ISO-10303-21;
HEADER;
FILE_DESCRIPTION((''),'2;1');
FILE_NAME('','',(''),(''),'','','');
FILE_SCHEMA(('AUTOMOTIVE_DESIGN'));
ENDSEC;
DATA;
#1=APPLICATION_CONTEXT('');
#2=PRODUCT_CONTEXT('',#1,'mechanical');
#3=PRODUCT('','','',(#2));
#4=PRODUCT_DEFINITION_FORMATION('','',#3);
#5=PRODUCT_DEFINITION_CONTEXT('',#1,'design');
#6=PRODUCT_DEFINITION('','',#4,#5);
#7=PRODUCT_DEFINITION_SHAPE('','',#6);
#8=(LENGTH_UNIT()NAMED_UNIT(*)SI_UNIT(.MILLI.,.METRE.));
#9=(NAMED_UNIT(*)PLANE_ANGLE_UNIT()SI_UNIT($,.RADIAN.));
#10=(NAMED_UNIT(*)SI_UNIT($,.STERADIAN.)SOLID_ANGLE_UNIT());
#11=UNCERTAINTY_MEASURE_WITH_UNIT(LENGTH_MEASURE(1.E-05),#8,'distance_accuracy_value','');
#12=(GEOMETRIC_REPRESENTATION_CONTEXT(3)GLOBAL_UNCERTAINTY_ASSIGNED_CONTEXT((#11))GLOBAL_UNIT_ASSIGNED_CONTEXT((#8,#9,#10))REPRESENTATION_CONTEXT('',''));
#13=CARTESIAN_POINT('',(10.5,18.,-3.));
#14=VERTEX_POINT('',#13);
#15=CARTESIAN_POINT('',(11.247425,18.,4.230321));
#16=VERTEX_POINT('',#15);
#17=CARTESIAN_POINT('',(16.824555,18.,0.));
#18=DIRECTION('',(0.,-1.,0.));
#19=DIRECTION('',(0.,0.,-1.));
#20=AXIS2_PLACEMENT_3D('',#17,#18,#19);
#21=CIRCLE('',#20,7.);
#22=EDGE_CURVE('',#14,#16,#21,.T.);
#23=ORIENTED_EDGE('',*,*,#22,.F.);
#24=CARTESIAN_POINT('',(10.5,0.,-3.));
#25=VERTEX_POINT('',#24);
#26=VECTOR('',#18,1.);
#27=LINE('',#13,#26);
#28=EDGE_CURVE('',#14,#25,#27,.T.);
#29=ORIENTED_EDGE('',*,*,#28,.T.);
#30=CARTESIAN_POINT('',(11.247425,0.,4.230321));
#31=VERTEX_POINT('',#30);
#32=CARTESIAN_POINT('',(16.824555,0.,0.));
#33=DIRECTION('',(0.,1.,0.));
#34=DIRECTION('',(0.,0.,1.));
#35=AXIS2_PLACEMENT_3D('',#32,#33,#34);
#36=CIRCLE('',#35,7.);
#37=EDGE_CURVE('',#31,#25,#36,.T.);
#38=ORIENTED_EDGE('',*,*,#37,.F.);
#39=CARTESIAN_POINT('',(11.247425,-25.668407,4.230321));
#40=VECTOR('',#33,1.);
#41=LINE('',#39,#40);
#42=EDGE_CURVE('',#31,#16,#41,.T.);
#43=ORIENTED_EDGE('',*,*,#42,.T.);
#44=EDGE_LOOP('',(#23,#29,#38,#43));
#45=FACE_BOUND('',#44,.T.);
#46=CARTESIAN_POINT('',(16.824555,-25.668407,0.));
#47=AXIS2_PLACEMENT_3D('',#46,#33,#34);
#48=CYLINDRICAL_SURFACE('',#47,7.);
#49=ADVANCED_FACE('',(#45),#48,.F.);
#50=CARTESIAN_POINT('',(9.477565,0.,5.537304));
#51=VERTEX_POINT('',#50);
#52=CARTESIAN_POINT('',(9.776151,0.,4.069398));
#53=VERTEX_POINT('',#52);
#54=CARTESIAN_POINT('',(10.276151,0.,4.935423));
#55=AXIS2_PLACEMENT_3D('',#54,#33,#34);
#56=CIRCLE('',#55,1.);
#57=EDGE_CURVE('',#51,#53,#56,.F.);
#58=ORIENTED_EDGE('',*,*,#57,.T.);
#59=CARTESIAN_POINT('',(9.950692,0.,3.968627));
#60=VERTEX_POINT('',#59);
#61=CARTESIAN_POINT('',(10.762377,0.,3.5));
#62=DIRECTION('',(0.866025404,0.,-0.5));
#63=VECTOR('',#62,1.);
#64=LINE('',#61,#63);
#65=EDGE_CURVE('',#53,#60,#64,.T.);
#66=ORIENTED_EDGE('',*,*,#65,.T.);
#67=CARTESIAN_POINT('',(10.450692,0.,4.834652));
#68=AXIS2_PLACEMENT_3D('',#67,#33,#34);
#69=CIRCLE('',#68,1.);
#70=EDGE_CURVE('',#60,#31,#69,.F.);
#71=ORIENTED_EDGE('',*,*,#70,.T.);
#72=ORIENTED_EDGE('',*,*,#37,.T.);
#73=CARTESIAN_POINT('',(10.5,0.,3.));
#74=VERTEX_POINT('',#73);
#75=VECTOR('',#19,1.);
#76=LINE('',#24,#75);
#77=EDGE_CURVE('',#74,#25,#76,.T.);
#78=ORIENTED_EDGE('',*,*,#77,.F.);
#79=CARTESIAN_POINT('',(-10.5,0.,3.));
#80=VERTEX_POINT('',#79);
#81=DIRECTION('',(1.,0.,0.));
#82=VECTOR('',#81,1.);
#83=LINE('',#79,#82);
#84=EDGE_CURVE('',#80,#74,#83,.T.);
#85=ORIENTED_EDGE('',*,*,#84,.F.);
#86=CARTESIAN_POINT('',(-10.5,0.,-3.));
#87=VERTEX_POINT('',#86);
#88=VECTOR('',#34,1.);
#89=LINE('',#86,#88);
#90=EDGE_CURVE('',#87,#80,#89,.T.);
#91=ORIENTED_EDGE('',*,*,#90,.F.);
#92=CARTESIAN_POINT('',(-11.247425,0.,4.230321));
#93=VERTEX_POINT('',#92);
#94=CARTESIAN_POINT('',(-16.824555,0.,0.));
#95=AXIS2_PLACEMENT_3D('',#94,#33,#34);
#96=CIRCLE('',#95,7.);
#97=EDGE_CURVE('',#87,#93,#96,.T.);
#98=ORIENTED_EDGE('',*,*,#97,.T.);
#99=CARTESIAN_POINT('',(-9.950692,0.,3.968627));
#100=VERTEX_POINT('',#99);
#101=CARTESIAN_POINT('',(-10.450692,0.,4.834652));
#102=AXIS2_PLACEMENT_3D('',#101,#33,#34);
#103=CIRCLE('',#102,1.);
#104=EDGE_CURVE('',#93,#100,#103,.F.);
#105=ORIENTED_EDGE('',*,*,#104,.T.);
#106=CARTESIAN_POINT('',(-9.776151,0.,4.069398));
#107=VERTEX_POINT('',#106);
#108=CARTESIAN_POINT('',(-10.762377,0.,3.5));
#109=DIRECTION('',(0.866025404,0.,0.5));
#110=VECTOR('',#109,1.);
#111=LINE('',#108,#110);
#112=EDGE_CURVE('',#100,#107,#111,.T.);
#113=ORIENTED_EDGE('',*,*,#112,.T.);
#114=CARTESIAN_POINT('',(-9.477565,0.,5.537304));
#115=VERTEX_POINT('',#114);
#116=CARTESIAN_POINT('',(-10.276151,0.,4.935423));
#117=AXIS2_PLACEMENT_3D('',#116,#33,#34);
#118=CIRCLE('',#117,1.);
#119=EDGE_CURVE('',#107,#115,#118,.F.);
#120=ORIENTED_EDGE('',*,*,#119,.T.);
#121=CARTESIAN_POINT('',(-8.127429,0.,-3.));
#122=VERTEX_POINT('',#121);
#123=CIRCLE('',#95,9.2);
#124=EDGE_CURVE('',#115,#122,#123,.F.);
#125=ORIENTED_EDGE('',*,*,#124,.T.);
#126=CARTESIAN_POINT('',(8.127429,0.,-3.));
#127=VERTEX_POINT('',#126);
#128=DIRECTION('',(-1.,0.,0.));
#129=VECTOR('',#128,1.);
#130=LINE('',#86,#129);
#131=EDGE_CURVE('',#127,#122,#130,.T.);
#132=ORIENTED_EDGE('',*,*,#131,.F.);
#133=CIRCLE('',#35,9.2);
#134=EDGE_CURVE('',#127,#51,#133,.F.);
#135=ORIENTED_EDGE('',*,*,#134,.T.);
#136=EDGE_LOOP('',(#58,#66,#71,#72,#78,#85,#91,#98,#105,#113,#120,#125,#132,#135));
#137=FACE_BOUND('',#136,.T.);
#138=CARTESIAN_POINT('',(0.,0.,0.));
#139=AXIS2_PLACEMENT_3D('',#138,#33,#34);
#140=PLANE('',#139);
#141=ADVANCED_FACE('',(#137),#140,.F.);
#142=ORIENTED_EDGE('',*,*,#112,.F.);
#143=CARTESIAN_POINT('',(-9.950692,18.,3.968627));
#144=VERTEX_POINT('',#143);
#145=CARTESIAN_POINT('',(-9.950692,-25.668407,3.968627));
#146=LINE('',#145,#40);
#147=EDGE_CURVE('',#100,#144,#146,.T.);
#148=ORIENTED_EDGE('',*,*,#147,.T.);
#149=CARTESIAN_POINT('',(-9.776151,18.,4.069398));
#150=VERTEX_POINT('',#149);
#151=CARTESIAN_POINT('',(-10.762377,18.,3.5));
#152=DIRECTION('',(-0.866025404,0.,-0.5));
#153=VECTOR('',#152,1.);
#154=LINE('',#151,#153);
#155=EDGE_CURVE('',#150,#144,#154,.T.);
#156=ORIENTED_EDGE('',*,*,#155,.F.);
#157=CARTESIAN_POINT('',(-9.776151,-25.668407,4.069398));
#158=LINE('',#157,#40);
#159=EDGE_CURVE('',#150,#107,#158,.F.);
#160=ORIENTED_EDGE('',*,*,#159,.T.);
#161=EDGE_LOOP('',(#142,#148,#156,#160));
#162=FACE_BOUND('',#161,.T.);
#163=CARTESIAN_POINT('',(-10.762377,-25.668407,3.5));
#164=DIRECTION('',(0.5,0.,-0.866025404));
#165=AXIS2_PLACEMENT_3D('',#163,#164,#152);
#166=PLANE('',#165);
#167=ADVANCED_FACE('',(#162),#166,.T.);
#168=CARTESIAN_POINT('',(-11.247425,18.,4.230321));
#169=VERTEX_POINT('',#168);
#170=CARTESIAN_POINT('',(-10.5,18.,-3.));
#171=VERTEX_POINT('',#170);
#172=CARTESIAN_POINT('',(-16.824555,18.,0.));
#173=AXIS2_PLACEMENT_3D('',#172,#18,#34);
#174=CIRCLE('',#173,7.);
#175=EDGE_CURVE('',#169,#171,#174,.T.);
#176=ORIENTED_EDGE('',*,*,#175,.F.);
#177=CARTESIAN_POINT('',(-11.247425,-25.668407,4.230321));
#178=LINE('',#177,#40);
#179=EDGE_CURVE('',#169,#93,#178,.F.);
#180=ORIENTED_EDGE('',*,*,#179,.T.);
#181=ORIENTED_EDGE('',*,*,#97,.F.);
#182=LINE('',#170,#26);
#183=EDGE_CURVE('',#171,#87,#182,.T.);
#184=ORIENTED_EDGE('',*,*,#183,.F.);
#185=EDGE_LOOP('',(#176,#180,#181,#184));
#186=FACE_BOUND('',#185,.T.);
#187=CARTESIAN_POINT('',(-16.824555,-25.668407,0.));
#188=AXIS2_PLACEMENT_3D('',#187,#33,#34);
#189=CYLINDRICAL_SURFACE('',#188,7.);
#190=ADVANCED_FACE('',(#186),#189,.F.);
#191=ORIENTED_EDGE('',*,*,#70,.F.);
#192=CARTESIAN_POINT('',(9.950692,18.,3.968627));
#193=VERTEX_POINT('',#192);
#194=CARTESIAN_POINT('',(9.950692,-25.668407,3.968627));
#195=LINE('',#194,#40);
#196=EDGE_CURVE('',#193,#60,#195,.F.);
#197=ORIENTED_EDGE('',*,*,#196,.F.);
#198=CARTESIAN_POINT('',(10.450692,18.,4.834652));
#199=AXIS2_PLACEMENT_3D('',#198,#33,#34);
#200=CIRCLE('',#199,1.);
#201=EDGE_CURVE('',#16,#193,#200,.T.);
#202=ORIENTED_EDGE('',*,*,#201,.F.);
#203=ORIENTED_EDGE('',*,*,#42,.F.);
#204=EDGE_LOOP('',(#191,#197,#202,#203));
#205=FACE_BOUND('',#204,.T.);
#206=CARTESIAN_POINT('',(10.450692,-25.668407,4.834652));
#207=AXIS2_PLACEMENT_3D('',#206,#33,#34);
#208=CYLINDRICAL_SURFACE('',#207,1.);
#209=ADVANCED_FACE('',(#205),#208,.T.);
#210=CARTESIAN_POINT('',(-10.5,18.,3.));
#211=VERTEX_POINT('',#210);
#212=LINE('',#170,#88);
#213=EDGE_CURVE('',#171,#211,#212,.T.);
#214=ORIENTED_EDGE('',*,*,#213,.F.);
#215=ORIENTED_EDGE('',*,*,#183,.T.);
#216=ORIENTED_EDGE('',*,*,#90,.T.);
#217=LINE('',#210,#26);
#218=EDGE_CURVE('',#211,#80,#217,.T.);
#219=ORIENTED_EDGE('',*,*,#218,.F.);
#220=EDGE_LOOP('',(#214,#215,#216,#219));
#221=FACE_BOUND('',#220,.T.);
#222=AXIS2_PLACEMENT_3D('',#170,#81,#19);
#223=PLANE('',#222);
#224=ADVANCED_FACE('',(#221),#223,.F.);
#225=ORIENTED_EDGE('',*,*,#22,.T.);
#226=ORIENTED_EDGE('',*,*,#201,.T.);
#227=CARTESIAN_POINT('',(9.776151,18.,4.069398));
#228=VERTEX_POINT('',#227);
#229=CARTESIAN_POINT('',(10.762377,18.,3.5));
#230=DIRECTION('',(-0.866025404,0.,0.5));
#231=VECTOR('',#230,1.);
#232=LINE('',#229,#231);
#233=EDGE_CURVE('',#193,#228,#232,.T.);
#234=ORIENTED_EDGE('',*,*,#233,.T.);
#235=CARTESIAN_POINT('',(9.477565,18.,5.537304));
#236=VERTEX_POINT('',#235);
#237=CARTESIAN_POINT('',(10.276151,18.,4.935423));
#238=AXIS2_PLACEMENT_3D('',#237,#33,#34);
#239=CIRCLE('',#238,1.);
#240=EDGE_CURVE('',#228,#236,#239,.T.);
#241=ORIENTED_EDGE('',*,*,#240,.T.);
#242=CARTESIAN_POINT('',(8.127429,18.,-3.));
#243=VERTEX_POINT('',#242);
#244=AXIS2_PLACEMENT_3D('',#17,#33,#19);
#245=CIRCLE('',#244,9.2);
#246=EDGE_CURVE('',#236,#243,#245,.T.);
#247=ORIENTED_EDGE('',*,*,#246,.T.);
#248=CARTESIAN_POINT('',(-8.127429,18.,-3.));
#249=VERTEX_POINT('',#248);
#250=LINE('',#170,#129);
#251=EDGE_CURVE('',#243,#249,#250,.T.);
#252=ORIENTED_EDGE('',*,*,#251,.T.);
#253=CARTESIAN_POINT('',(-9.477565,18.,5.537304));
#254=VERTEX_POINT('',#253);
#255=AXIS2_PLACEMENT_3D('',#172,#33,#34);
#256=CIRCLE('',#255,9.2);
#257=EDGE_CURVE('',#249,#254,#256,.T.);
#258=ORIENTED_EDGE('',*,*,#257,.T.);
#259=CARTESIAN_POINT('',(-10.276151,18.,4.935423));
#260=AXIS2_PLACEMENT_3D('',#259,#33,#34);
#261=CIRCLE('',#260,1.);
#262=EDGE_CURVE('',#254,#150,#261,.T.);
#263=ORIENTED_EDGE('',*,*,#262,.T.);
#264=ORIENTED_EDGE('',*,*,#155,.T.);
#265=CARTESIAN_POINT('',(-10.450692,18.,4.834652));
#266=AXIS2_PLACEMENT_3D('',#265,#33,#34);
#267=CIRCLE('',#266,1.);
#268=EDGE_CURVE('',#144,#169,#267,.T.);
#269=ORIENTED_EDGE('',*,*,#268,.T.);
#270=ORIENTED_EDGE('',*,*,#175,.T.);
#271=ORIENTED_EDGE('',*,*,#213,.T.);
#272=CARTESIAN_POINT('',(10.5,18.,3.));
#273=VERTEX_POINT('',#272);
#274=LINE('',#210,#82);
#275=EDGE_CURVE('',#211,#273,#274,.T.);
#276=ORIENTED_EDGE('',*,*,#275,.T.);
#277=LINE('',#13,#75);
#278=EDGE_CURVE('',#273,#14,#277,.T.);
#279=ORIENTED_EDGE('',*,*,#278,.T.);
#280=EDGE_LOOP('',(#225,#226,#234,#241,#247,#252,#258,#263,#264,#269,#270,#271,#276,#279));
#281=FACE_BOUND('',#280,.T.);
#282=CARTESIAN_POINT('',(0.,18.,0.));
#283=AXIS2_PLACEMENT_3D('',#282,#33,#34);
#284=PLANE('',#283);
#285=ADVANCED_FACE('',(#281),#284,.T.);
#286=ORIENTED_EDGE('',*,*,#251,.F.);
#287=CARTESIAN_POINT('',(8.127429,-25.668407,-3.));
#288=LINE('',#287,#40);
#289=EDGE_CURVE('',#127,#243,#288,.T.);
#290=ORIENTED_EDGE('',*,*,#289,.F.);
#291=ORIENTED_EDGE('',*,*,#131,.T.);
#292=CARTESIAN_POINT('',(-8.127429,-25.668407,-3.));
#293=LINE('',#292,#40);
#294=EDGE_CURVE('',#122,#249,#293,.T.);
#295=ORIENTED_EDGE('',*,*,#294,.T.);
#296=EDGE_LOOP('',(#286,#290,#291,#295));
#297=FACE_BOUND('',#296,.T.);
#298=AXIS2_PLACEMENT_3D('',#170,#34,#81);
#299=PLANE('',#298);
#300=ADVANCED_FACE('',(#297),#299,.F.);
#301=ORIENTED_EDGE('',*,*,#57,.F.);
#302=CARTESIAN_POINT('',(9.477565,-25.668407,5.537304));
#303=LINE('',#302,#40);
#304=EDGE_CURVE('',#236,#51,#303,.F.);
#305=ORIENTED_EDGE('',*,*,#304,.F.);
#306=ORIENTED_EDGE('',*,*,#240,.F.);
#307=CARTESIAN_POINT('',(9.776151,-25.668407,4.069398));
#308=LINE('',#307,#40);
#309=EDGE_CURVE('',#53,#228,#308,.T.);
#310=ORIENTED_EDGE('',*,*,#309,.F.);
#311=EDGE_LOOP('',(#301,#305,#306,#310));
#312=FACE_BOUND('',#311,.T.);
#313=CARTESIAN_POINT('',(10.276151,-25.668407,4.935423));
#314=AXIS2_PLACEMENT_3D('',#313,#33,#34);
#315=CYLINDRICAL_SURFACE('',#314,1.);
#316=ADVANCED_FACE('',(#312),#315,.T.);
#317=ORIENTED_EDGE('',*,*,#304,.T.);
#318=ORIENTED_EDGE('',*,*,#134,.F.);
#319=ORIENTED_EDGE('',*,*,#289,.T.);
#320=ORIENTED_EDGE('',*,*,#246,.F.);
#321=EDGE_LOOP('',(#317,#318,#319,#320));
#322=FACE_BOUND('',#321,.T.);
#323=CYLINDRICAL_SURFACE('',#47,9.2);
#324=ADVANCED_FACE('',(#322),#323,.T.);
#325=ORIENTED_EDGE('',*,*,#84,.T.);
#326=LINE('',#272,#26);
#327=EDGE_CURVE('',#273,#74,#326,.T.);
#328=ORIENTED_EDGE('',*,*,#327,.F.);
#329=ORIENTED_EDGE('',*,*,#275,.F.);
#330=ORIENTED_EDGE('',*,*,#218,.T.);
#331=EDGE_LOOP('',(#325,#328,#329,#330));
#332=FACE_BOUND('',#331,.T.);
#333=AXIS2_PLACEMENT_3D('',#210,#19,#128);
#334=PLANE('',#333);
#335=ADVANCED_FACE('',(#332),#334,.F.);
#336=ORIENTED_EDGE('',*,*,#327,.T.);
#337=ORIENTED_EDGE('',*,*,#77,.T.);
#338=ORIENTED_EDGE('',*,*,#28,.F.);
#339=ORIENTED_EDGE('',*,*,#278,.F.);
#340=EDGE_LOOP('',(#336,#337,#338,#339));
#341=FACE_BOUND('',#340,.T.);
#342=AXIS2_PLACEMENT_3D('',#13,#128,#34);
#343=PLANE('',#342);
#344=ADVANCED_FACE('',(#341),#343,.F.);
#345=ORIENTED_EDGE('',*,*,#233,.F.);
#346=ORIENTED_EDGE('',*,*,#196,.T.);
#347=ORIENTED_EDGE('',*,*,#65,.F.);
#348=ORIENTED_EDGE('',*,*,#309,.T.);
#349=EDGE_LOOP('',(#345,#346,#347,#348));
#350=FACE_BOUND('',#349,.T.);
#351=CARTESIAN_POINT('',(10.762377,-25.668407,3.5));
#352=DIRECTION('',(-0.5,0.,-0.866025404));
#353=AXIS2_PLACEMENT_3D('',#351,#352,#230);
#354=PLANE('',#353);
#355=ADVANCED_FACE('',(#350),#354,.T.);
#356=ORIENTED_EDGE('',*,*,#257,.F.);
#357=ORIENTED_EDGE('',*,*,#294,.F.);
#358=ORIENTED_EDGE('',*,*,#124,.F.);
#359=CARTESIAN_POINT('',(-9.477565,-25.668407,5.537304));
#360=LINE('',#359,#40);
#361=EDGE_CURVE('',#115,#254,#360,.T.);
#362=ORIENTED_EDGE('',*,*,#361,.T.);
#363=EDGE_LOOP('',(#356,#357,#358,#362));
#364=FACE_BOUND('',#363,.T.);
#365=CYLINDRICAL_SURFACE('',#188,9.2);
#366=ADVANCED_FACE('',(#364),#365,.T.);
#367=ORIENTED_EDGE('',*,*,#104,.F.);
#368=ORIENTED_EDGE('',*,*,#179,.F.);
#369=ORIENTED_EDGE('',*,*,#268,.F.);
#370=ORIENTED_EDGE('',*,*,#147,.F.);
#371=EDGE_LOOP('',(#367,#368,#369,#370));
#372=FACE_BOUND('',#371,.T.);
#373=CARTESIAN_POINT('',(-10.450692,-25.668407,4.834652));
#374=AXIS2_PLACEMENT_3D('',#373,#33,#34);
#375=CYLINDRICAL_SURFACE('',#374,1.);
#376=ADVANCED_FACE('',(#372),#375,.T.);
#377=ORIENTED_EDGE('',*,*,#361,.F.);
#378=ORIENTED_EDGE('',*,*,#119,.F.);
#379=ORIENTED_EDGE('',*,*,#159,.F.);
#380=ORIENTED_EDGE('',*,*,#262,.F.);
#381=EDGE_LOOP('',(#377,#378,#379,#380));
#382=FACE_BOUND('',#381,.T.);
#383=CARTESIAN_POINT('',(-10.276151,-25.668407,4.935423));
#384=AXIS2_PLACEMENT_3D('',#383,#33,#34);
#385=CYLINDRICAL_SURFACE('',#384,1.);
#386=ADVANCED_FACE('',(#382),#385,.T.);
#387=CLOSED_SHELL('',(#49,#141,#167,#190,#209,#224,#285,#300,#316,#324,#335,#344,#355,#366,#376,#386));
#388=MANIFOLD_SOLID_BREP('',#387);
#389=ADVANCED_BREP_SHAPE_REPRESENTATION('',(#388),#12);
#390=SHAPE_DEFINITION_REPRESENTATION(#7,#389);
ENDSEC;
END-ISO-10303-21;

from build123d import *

# Parameters (mm, degrees)
SKETCH1_W           = 21
SKETCH1_H           = 6
BOSS_EXTRUDE1_DEPTH = 18
BOSS_EXTRUDE2_DEPTH = 18
FILLET1_R           = 1


with BuildPart() as part:
    # Sketch1 → Boss-Extrude1 (new body)
    with BuildSketch(Plane(origin=(0, 0, 0), x_dir=(1, 0, 0), z_dir=(0, 1, 0))):
        Rectangle(SKETCH1_W, SKETCH1_H)
    extrude(amount=BOSS_EXTRUDE1_DEPTH)

    # Sketch2 → Boss-Extrude2 (add)
    with BuildSketch(Plane(origin=(0, 18, 0), x_dir=(1, 0, 0), z_dir=(0, 1, 0))):
        with BuildLine():
            Line((-10.5, 3), (-8.127429358, 3))
            ThreePointArc((-8.127429358, 3), (-25.982441938, 0.879268272), (-8.857121606, -4.6))
            Line((-8.857121606, -4.6), (-10.762377494, -3.5))
            ThreePointArc((-10.762377494, -3.5), (-23.818859397, 0.282330458), (-10.5, 3))
        make_face()
        with BuildLine():
            Line((10.762377494, -3.5), (8.857121606, -4.6))
            ThreePointArc((8.857121606, -4.6), (25.982441938, 0.879268272), (8.127429358, 3))
            Line((8.127429358, 3), (10.5, 3))
            ThreePointArc((10.5, 3), (23.818859397, 0.282330458), (10.762377494, -3.5))
        make_face()
    extrude(amount=-BOSS_EXTRUDE2_DEPTH)

    # Fillet1
    fillet1_edges = [part.edges().sort_by_distance(p)[0] for p in [
        (-10.762377494, 9, 3.5),
        (-8.857121606, 9, 4.6),
        (8.857121606, 9, 4.6),
        (10.762377494, 9, 3.5),
    ]]
    fillet(fillet1_edges, radius=FILLET1_R)


solid = part.part
